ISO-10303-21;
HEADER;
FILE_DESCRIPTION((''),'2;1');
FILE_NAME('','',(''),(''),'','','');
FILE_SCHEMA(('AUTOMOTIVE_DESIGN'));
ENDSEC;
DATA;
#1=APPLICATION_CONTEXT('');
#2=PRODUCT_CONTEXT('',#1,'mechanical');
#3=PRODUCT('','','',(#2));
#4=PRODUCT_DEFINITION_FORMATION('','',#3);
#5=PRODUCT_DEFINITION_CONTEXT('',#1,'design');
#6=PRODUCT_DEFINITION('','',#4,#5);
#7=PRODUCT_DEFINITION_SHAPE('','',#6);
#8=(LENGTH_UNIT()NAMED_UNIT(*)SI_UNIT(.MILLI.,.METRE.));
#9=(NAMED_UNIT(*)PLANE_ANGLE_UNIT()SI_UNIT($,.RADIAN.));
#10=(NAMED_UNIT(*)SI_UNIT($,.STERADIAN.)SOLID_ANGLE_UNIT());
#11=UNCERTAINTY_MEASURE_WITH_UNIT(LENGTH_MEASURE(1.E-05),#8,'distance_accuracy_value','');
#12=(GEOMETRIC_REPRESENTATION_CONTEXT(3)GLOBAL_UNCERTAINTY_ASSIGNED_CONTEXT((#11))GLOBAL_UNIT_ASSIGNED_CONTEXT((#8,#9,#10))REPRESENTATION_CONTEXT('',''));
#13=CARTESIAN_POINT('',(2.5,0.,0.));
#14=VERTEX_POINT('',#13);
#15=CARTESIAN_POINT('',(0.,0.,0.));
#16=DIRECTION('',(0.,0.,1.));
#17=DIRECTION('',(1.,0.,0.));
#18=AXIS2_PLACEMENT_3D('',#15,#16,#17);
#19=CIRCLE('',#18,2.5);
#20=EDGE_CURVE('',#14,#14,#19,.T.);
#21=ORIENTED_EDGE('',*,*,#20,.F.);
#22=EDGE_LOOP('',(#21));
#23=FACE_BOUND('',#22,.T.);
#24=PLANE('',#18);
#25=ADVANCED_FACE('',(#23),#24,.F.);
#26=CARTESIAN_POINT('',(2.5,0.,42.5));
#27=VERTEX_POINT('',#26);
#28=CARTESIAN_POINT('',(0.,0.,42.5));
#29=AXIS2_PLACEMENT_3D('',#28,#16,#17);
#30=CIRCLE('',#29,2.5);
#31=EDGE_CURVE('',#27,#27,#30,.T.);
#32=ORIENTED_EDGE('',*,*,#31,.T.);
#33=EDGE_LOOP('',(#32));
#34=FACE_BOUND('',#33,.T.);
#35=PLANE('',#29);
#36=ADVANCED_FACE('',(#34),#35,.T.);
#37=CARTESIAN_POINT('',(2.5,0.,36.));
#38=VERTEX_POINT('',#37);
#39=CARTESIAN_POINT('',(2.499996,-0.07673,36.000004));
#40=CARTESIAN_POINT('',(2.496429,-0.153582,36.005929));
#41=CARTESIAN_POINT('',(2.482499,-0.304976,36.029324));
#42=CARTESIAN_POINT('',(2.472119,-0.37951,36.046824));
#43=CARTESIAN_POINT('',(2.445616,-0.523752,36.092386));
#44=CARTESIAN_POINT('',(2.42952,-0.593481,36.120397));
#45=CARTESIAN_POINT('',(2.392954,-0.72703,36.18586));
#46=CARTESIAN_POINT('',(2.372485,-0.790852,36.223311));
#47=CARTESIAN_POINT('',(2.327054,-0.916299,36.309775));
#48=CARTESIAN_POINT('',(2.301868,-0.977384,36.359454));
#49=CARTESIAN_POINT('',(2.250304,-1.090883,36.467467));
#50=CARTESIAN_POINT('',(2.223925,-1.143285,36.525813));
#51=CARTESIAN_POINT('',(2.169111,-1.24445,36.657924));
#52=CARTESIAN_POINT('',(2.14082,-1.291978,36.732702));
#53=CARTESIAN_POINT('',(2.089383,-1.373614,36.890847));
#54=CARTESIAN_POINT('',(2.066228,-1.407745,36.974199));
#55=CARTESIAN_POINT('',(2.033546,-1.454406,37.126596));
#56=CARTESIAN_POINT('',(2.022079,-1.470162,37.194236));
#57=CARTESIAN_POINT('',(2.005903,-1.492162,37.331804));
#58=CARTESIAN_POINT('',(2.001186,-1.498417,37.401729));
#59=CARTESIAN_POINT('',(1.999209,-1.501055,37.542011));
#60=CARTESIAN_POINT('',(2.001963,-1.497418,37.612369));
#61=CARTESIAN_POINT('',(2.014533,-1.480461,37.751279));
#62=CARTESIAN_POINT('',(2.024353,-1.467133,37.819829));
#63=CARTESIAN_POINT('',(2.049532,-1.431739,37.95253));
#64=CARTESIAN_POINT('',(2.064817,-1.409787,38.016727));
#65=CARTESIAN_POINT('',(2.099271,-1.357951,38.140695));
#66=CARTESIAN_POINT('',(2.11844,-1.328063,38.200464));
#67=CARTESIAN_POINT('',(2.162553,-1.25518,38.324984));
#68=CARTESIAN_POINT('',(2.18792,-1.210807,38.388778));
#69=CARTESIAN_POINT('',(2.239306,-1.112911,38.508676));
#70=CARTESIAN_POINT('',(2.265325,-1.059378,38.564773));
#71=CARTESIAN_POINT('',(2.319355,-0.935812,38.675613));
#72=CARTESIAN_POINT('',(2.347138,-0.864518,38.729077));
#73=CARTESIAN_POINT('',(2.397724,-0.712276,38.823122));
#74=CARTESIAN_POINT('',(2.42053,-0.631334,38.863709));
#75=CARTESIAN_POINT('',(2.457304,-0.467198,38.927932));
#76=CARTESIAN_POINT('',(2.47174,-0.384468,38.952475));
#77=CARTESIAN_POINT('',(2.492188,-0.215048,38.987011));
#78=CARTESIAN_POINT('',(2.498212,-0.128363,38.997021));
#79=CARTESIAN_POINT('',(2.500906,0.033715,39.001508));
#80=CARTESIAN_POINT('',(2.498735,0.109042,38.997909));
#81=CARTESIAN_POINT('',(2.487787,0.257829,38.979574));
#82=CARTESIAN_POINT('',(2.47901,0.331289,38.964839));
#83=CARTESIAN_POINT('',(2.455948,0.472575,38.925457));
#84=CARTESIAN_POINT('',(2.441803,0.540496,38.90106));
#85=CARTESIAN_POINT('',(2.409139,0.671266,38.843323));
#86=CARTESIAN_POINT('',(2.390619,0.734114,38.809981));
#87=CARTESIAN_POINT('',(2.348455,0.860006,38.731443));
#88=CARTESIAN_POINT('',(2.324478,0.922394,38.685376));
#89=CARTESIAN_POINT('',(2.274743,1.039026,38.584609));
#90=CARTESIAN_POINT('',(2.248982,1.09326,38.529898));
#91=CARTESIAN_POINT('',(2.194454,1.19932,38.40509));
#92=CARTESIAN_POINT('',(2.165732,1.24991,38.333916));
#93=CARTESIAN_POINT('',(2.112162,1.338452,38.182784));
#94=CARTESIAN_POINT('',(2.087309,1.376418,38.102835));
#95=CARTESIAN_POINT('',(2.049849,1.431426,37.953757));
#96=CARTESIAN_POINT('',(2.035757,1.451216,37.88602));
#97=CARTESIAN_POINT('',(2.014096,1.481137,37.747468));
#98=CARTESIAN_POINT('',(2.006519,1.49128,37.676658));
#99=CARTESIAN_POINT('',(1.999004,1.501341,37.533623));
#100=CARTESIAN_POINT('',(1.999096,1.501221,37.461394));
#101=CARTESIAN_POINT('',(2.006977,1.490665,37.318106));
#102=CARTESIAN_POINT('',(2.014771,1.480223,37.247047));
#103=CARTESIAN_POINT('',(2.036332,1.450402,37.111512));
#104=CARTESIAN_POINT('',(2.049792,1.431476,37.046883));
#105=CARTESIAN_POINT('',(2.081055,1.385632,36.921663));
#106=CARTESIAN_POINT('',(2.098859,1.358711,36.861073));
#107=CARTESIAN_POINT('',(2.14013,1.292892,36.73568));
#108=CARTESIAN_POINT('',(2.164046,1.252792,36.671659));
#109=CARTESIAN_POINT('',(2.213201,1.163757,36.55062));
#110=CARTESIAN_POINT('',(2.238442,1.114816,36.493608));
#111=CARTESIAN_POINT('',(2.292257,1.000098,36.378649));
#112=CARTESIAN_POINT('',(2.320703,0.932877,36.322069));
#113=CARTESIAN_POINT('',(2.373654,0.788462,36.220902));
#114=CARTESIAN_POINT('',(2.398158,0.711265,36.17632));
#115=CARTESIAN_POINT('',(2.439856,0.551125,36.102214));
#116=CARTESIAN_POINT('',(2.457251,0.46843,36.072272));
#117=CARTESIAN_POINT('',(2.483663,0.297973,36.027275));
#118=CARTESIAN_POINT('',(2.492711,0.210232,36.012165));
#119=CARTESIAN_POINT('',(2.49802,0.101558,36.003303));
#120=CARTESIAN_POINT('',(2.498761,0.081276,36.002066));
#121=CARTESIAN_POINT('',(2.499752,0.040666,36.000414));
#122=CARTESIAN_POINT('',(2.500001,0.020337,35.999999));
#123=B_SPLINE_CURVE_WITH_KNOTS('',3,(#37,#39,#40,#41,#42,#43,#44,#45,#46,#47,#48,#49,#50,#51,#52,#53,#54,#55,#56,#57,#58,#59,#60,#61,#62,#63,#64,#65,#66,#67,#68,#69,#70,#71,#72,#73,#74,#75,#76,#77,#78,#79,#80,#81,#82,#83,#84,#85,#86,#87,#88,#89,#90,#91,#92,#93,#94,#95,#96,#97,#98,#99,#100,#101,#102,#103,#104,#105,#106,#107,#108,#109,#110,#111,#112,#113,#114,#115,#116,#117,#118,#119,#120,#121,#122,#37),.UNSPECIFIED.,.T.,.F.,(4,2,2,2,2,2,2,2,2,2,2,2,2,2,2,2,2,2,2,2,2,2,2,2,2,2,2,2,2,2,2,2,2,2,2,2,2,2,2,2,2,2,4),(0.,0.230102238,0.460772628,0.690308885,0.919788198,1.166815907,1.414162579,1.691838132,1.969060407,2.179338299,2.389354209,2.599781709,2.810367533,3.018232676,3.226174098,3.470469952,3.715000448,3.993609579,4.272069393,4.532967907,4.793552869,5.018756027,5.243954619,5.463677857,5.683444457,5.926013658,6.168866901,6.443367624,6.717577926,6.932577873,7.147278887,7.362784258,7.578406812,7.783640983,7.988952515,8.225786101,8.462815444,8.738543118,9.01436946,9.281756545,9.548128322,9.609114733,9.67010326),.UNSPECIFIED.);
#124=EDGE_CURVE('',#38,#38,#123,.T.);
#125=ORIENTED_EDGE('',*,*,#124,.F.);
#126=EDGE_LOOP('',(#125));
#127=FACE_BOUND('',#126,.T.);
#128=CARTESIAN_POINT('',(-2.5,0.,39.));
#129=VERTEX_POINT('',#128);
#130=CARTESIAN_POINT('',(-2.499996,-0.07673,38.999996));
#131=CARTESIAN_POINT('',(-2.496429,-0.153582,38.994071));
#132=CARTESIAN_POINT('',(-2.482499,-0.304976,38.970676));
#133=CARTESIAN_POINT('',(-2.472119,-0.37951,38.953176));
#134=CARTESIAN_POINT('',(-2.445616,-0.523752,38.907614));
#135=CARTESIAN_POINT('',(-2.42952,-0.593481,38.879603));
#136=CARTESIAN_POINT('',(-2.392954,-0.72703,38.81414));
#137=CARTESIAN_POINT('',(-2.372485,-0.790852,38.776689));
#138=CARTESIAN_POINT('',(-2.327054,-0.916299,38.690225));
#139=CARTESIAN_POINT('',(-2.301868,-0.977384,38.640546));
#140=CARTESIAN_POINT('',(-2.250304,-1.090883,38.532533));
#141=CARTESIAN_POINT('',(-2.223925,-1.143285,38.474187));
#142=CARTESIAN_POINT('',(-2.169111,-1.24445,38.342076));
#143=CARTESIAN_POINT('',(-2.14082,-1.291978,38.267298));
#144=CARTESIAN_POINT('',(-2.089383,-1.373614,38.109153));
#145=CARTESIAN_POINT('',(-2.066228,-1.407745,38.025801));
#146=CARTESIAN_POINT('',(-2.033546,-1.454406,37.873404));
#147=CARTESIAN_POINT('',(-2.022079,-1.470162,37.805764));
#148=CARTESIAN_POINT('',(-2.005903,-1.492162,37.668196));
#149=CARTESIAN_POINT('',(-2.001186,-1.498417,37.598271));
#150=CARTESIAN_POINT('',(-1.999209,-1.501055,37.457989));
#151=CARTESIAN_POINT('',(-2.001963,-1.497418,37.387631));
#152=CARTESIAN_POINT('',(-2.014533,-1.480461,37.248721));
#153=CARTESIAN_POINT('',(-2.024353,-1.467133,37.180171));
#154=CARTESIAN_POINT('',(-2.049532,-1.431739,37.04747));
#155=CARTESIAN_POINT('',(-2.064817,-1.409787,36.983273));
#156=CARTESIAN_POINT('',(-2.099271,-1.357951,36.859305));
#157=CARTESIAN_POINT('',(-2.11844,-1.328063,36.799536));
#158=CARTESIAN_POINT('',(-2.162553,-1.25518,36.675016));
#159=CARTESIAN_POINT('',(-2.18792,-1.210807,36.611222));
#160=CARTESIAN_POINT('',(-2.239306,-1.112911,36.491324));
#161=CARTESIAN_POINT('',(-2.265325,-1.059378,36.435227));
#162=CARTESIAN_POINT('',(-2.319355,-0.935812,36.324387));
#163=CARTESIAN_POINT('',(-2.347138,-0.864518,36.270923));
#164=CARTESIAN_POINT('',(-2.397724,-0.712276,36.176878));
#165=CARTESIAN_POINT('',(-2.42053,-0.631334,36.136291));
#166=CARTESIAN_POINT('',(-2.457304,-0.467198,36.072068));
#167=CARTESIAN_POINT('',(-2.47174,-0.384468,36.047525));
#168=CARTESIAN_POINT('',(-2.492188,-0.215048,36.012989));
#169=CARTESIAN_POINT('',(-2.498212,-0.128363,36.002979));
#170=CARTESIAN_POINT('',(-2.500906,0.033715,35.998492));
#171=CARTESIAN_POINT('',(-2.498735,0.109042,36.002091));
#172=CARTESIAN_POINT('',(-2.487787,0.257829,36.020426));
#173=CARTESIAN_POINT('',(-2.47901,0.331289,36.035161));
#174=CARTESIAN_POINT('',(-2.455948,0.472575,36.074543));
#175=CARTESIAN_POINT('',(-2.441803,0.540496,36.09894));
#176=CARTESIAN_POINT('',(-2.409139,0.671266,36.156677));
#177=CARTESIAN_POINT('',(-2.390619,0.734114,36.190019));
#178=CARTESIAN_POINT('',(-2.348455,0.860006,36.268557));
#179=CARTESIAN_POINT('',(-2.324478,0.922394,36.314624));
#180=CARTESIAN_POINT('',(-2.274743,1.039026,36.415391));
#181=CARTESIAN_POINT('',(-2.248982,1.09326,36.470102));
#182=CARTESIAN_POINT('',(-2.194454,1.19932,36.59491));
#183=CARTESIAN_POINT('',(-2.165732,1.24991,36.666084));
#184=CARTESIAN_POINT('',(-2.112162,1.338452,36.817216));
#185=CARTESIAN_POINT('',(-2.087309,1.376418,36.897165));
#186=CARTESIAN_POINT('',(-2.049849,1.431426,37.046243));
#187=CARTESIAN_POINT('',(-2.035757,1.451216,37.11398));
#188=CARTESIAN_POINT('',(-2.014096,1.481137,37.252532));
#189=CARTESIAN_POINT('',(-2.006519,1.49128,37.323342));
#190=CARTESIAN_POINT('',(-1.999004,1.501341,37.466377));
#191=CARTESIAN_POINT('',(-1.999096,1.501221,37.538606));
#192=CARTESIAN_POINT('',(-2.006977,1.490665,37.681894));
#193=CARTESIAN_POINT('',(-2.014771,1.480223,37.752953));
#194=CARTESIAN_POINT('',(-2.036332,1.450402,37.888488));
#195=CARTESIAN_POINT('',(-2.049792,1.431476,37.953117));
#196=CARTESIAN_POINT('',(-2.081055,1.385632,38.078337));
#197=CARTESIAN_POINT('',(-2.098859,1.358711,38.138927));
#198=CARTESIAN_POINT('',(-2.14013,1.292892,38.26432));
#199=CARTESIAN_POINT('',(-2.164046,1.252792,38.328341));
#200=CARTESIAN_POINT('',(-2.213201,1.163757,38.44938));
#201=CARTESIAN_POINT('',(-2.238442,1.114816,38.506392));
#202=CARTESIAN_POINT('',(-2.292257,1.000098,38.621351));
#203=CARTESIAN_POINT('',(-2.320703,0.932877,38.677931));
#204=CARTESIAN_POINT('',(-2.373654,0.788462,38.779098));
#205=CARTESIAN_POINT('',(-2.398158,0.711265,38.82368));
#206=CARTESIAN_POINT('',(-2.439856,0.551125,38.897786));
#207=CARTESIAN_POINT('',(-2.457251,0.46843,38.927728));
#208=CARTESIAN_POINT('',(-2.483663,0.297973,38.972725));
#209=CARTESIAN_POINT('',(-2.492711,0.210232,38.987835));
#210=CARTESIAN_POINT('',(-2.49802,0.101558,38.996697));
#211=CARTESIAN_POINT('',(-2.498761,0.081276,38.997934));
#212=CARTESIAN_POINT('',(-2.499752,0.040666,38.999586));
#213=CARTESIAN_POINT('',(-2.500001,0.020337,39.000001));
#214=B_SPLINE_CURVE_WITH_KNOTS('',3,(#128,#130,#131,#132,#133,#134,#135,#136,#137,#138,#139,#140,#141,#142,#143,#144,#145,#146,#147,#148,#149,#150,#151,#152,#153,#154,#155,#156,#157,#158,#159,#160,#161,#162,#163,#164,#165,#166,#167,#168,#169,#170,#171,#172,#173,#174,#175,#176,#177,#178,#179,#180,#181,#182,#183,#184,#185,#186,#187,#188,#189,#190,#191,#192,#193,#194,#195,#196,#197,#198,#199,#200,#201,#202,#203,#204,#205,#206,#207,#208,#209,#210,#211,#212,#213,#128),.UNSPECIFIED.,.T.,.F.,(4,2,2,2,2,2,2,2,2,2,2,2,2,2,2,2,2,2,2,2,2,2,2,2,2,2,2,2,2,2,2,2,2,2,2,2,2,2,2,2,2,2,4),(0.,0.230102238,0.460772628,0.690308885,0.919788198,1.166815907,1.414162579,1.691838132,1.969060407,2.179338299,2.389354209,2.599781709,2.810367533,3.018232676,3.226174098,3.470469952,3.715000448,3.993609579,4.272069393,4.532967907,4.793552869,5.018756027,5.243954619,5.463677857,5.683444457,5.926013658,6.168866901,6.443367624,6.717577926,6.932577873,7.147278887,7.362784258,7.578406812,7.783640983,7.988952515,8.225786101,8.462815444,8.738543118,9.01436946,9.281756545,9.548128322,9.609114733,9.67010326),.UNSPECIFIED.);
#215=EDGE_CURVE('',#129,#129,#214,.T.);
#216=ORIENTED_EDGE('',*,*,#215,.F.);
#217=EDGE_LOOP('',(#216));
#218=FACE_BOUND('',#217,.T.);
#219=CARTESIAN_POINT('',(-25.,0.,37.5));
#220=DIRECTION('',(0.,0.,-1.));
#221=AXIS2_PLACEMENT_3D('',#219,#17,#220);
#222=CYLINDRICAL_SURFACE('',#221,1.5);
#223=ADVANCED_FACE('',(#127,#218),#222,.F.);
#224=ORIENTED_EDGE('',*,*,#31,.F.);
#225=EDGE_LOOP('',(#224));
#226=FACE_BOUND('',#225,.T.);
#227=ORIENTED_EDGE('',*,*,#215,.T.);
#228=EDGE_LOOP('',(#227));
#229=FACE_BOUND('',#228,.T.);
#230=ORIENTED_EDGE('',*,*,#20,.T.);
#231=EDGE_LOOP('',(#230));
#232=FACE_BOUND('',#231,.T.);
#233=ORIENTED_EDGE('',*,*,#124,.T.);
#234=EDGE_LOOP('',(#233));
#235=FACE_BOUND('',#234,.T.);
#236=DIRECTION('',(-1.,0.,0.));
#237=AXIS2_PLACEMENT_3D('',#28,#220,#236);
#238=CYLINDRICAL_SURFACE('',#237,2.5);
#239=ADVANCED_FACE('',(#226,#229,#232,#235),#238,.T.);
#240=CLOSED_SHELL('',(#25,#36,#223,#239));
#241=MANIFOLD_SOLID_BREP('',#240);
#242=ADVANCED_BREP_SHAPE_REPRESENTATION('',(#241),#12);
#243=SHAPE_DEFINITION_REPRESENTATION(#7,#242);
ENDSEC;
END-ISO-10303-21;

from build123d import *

# Parameters (mm, degrees)
CROQUIS1_R              = 2.5
SALIENTE_EXTRUIR1_DEPTH = 42.5
CROQUIS2_R              = 1.5
CORTAR_EXTRUIR1_DEPTH   = 25


with BuildPart() as part:
    # Croquis1 → Saliente-Extruir1 (new body)
    with BuildSketch(Plane.XY):
        Circle(CROQUIS1_R)
    extrude(amount=SALIENTE_EXTRUIR1_DEPTH)

    # Croquis2 → Cortar-Extruir1 (cut, symmetric)
    with BuildSketch(Plane(origin=(0, 0, 0), x_dir=(0, 0, -1), z_dir=(1, 0, 0))):
        with Locations(Location((-37.5, 0, 0), (0, 0, 179.999999998))):
            Circle(CROQUIS2_R)
    extrude(amount=CORTAR_EXTRUIR1_DEPTH, both=True, mode=Mode.SUBTRACT)


solid = part.part
